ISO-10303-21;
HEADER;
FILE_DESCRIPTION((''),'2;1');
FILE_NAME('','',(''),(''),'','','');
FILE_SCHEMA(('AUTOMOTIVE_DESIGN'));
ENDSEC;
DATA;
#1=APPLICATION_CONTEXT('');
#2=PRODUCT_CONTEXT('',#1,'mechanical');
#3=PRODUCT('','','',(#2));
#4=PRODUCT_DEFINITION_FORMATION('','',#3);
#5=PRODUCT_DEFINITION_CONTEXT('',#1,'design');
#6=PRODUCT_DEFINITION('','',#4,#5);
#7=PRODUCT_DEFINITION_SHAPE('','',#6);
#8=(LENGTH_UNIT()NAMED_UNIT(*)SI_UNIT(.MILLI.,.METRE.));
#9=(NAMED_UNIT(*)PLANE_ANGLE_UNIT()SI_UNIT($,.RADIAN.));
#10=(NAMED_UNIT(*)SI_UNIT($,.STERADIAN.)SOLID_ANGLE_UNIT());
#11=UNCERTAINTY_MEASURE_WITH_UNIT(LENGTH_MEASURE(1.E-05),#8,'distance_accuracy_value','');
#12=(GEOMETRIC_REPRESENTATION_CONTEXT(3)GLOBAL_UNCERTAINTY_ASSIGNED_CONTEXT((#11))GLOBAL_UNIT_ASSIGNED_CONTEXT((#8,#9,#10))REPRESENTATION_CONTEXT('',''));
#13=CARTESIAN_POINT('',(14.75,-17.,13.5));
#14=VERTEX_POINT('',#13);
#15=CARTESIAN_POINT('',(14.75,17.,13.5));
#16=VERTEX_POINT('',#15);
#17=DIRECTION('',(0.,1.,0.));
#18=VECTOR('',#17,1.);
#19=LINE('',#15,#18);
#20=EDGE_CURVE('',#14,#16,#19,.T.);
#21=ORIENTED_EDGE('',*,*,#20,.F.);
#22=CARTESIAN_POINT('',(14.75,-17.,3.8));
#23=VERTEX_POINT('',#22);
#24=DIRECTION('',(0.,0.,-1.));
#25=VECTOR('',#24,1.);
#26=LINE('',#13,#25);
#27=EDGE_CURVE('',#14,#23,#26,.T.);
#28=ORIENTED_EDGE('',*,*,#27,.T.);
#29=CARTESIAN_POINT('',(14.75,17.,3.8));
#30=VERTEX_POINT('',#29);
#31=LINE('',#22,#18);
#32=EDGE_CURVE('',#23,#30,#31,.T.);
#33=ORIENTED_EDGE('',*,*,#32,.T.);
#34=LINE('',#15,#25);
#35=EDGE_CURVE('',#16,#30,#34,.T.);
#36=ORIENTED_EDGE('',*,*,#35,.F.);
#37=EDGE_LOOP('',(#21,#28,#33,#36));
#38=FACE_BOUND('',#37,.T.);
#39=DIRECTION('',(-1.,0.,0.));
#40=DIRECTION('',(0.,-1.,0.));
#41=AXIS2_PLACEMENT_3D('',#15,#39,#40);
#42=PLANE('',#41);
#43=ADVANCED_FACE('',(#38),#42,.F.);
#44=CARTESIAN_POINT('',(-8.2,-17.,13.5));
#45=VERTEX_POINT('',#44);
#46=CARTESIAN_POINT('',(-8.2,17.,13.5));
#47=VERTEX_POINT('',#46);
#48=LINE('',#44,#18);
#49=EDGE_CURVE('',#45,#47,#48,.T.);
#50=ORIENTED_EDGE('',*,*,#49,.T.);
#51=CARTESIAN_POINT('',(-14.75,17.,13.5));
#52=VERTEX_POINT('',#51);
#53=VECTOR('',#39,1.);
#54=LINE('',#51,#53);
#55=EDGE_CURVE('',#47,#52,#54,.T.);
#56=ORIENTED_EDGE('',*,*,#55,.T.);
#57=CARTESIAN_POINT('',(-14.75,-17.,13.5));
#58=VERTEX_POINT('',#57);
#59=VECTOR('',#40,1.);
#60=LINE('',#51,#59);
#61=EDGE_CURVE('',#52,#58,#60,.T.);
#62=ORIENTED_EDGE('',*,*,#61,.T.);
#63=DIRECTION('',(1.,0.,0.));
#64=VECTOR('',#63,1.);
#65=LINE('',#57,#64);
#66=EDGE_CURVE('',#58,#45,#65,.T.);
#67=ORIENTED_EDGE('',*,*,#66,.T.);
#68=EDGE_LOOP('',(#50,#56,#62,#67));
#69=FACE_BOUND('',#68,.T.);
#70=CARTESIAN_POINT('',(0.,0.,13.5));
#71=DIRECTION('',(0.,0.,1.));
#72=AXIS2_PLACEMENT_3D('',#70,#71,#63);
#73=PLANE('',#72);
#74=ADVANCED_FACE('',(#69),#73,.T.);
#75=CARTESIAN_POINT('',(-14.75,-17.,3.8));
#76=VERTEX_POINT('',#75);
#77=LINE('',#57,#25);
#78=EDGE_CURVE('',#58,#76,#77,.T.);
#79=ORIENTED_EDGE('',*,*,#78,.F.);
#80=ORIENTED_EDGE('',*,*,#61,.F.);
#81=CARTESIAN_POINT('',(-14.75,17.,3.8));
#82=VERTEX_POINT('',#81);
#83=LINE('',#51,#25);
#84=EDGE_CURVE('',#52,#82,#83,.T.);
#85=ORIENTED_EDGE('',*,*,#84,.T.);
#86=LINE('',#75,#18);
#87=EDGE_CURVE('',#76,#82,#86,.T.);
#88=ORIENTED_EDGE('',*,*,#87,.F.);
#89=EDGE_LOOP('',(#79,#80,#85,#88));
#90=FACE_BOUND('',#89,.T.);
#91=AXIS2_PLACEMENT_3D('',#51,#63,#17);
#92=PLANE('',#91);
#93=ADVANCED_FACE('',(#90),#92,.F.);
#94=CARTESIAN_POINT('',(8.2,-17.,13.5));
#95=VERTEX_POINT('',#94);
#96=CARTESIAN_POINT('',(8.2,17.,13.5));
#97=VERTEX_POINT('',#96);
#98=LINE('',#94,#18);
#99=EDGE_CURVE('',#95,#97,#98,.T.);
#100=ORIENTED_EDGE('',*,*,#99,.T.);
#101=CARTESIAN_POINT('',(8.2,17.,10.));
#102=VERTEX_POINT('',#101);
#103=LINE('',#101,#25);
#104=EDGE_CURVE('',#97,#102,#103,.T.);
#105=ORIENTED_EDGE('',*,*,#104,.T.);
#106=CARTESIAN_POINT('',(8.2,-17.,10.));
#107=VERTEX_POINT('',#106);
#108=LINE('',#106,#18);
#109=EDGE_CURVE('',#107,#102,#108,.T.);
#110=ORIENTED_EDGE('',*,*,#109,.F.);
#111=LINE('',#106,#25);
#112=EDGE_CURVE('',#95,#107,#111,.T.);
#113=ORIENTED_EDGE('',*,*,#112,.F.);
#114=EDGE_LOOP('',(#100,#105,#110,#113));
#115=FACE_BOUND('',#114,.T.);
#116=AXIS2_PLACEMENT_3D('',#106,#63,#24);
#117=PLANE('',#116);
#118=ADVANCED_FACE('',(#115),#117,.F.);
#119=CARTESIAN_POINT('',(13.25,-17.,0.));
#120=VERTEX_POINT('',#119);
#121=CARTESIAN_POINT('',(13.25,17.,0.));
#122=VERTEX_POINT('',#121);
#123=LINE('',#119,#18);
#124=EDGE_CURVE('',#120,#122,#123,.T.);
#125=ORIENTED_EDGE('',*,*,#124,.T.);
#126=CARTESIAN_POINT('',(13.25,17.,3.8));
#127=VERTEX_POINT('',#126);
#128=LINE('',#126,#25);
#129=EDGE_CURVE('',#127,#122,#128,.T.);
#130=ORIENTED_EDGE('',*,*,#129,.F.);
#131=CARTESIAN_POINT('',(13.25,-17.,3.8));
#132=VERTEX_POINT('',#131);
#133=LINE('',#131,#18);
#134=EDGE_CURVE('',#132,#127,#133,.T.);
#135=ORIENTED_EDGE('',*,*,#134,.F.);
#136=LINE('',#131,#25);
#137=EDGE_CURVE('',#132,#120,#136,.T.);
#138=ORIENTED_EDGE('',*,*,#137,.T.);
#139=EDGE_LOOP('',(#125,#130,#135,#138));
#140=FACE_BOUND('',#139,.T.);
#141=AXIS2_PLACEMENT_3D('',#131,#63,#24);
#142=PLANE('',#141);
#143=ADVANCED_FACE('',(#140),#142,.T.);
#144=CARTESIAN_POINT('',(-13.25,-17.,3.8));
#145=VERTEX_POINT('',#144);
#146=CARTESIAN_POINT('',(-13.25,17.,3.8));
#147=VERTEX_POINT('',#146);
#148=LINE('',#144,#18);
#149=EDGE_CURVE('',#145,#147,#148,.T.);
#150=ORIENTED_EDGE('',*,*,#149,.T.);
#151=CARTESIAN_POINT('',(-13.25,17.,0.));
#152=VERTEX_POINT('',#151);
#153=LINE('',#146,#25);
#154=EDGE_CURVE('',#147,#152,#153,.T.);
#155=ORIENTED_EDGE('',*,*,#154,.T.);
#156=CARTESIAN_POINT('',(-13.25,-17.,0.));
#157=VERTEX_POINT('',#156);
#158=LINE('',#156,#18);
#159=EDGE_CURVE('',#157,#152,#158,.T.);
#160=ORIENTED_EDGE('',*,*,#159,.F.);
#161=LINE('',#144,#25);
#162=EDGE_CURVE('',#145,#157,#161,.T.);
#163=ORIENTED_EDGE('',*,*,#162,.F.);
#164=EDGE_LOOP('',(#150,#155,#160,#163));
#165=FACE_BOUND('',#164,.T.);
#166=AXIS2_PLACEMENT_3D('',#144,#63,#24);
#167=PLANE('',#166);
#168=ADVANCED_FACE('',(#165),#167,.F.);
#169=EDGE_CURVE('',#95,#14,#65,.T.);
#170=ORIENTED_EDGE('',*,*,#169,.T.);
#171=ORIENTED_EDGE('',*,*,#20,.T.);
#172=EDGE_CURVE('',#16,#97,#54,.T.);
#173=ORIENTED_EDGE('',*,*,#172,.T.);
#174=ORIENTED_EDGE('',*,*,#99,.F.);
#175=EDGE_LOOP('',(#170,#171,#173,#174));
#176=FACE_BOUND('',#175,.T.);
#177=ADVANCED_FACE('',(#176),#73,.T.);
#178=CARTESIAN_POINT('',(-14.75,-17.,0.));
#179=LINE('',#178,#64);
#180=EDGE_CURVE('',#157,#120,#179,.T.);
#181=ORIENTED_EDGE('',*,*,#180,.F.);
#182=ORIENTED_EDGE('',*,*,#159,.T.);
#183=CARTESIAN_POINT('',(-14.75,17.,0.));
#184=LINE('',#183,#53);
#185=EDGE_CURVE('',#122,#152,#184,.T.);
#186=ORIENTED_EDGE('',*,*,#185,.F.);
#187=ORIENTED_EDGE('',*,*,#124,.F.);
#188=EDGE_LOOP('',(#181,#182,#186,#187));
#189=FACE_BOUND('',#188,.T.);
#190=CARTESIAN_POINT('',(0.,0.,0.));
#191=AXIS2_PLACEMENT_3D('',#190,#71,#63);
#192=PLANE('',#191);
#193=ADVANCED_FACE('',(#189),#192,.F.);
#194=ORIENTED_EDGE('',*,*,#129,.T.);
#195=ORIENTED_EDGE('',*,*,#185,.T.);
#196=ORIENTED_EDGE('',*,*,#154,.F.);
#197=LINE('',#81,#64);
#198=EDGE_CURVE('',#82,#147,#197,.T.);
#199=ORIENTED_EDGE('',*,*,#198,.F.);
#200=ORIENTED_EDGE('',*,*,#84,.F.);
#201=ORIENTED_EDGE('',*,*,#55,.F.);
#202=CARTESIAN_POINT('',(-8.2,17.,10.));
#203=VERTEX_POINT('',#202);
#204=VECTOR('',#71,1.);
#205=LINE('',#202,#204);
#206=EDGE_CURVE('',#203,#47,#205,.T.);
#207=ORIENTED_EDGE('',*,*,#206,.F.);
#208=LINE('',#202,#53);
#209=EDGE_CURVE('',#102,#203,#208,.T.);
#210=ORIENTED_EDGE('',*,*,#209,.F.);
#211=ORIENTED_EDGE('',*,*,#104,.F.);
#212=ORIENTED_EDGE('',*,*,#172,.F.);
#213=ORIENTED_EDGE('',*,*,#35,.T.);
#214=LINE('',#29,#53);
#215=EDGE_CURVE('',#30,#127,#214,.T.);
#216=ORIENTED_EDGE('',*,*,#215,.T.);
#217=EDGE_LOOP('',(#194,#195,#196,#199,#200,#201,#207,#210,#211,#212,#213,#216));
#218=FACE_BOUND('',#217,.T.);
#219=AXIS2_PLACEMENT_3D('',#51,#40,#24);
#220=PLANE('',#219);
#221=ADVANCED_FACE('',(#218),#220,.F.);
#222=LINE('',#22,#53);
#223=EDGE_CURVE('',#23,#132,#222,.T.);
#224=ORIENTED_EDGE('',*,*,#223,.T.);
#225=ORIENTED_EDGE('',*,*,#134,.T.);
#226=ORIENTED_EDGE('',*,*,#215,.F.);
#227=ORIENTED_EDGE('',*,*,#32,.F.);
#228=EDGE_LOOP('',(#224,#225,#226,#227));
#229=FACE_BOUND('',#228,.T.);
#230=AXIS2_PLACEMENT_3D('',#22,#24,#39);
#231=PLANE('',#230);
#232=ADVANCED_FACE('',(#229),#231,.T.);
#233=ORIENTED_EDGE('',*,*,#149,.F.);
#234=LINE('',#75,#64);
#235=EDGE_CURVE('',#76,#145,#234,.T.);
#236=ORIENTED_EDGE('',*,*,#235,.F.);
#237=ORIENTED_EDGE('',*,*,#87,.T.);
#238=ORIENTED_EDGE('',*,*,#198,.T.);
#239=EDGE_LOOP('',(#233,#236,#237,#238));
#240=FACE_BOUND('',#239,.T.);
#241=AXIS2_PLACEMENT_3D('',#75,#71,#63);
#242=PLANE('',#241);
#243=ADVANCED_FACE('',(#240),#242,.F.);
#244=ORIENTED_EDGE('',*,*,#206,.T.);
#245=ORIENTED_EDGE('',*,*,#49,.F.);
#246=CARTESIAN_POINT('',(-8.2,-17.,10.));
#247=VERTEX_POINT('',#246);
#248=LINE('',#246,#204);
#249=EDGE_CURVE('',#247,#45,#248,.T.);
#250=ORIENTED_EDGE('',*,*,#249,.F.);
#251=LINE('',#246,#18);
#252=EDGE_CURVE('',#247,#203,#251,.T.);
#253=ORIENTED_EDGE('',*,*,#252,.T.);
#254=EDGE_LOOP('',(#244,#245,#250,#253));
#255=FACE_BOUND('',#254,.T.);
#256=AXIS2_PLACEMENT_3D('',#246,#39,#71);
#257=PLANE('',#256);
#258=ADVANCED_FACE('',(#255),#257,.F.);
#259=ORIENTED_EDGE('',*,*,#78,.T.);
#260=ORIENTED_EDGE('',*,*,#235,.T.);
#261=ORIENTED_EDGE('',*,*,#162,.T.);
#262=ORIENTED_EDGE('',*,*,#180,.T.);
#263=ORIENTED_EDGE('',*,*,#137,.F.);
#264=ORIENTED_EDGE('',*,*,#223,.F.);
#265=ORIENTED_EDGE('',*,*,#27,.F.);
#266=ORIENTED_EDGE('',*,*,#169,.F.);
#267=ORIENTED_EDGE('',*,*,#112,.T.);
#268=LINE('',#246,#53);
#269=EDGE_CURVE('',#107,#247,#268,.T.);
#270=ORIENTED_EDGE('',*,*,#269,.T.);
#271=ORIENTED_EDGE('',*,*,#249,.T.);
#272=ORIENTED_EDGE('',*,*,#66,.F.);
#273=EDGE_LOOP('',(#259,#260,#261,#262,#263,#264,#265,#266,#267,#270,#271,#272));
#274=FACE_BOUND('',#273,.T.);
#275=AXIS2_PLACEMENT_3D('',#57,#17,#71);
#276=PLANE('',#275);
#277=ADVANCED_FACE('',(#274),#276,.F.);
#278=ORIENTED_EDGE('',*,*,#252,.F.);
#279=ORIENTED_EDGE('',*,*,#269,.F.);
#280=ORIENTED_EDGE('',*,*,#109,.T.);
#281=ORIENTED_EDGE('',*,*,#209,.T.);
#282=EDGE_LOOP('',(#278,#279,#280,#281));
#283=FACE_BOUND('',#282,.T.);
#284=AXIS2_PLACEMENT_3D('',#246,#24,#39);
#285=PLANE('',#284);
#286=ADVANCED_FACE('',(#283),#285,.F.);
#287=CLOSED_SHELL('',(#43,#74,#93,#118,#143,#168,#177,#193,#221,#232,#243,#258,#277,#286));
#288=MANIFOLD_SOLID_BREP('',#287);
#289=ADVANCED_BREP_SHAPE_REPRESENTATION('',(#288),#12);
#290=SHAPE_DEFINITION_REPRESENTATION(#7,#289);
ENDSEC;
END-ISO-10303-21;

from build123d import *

# Parameters (mm, degrees)
SKETCH1_W           = 29.5
SKETCH1_H           = 34
BOSS_EXTRUDE1_DEPTH = 13.5
SKETCH2_W           = 1.5
SKETCH2_H           = 3.8
SKETCH2_W_2         = 16.4
SKETCH2_H_2         = 3.5
CUT_EXTRUDE1_DEPTH  = 40.443789118


with BuildPart() as part:
    # Sketch1 → Boss-Extrude1 (new body)
    with BuildSketch(Plane.XY):
        Rectangle(SKETCH1_W, SKETCH1_H)
    extrude(amount=BOSS_EXTRUDE1_DEPTH)

    # Sketch2 → Cut-Extrude1 (cut, through all)
    with BuildSketch(Plane(origin=(0, 17, 0), x_dir=(1, 0, 0), z_dir=(0, 1, 0))):
        with Locations((-14, -1.9)):
            Rectangle(SKETCH2_W, SKETCH2_H)
        with Locations((0, -11.75)):
            Rectangle(SKETCH2_W_2, SKETCH2_H_2)
    cut_extrude1 = extrude(amount=-CUT_EXTRUDE1_DEPTH, mode=Mode.SUBTRACT)

    # Mirror1: Cut-Extrude1 across plane
    add(cut_extrude1.mirror(Plane(origin=(0, 0, 0), x_dir=(0, 0, 1), z_dir=(1, 0, 0))), mode=Mode.SUBTRACT)


solid = part.part
